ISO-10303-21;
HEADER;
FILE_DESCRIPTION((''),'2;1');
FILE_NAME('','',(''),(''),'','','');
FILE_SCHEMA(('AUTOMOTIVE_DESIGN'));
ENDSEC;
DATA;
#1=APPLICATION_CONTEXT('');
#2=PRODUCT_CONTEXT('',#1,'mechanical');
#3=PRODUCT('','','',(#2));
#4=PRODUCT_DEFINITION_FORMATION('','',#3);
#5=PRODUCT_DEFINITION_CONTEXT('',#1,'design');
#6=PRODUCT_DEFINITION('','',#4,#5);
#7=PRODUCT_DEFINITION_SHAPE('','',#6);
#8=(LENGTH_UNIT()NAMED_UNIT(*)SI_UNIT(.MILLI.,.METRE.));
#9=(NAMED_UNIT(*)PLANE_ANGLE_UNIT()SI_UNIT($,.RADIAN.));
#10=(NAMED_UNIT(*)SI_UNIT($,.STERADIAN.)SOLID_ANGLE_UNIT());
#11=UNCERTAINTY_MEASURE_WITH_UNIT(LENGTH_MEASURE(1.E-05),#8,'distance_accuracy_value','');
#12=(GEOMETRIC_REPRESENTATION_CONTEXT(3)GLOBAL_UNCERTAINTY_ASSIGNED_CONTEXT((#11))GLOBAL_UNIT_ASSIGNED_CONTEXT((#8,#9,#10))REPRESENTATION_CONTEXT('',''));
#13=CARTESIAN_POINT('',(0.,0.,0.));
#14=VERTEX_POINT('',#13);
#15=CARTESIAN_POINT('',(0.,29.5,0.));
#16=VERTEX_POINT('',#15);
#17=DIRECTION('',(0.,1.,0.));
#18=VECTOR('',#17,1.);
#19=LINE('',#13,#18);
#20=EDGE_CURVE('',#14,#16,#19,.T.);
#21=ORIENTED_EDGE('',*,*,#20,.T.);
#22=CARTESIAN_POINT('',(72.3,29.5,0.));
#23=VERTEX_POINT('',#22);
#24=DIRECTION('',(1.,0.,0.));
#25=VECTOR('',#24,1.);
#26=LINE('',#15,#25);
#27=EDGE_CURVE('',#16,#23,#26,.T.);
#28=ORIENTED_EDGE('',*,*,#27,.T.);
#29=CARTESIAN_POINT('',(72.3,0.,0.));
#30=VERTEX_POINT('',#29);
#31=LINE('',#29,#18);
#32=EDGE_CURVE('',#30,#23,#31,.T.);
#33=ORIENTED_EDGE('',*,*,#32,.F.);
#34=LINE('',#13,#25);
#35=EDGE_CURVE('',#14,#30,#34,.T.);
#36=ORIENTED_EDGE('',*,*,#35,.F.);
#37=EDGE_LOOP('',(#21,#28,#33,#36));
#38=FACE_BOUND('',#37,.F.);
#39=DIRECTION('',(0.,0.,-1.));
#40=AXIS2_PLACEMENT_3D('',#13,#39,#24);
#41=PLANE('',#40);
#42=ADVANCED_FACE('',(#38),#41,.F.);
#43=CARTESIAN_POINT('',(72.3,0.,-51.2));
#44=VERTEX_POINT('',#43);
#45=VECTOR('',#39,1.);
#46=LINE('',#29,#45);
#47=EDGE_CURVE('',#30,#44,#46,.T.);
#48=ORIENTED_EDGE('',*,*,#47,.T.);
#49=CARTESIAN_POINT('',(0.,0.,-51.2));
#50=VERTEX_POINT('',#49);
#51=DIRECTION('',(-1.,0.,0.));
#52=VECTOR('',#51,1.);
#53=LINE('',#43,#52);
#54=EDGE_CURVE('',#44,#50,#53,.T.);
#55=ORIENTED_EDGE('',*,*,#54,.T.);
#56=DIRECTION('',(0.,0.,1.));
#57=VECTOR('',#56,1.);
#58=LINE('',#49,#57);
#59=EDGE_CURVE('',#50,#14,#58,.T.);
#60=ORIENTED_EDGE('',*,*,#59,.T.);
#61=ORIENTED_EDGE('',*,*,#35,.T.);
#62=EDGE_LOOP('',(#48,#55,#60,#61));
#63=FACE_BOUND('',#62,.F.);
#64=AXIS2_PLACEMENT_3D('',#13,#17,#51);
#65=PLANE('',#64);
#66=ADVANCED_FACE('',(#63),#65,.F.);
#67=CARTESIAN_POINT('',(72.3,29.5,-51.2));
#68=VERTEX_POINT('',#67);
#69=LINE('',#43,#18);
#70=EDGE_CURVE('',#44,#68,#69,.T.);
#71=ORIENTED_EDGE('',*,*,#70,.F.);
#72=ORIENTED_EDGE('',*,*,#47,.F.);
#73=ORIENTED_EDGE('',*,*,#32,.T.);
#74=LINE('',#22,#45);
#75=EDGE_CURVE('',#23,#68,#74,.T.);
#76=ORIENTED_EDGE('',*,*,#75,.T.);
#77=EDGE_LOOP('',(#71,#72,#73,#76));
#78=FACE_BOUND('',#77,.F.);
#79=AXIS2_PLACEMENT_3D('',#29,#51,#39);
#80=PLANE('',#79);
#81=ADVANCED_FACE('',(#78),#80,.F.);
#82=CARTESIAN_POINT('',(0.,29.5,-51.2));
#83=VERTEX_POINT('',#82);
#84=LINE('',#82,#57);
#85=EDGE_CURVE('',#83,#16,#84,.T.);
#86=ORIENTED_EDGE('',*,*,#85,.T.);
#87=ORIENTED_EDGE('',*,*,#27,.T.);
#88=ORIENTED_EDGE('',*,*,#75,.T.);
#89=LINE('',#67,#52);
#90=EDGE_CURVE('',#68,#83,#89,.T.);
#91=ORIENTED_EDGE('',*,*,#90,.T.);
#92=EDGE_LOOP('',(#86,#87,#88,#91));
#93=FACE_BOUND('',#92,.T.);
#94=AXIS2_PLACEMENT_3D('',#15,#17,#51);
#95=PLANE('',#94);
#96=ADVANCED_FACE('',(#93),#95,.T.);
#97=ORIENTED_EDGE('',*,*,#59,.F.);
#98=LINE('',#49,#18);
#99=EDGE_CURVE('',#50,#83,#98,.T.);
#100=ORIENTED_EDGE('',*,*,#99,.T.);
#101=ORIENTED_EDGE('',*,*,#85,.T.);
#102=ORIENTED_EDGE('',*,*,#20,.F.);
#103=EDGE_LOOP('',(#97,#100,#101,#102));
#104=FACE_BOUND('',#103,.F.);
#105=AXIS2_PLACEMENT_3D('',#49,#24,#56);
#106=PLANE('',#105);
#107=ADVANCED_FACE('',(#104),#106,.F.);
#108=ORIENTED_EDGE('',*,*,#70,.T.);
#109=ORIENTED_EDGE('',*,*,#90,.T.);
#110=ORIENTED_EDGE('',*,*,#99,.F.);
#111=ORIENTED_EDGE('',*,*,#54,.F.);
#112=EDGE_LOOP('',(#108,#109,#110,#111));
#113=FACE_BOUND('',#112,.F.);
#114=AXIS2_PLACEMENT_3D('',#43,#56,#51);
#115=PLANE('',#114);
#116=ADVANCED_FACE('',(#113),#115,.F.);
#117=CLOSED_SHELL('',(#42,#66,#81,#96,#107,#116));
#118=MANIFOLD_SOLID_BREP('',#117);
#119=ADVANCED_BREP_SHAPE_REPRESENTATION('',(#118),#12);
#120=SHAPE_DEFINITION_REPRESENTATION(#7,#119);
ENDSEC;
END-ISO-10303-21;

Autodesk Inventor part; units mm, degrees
ref_plane "YZ Plane" through (0, 0, 0) normal (1, 0, 0) x (0, 1, 0)
ref_plane "XZ Plane" through (0, 0, 0) normal (0, 1, 0) x (-1, 0, 0)
ref_plane "XY Plane" through (0, 0, 0) normal (0, 0, 1) x (1, 0, 0)
sketch "Sketch1" plane through (0, 0, 0) normal (0, 1, 0) x (-1, 0, 0)
  line L0 (0, 0) -> (-72.3, 0)
  line L1 (-72.3, 0) -> (-72.3, -51.2)
  line L2 (-72.3, -51.2) -> (0, -51.2)
  line L3 (0, -51.2) -> (0, 0)
  dimension "d0" = 72.3
  dimension "d1" = 51.2
extrude "Extrusion1" add sketch "Sketch1" along normal blind 29.5
properties part number "tenergy_nimh_2200" material "Acetal Resin, Black"
